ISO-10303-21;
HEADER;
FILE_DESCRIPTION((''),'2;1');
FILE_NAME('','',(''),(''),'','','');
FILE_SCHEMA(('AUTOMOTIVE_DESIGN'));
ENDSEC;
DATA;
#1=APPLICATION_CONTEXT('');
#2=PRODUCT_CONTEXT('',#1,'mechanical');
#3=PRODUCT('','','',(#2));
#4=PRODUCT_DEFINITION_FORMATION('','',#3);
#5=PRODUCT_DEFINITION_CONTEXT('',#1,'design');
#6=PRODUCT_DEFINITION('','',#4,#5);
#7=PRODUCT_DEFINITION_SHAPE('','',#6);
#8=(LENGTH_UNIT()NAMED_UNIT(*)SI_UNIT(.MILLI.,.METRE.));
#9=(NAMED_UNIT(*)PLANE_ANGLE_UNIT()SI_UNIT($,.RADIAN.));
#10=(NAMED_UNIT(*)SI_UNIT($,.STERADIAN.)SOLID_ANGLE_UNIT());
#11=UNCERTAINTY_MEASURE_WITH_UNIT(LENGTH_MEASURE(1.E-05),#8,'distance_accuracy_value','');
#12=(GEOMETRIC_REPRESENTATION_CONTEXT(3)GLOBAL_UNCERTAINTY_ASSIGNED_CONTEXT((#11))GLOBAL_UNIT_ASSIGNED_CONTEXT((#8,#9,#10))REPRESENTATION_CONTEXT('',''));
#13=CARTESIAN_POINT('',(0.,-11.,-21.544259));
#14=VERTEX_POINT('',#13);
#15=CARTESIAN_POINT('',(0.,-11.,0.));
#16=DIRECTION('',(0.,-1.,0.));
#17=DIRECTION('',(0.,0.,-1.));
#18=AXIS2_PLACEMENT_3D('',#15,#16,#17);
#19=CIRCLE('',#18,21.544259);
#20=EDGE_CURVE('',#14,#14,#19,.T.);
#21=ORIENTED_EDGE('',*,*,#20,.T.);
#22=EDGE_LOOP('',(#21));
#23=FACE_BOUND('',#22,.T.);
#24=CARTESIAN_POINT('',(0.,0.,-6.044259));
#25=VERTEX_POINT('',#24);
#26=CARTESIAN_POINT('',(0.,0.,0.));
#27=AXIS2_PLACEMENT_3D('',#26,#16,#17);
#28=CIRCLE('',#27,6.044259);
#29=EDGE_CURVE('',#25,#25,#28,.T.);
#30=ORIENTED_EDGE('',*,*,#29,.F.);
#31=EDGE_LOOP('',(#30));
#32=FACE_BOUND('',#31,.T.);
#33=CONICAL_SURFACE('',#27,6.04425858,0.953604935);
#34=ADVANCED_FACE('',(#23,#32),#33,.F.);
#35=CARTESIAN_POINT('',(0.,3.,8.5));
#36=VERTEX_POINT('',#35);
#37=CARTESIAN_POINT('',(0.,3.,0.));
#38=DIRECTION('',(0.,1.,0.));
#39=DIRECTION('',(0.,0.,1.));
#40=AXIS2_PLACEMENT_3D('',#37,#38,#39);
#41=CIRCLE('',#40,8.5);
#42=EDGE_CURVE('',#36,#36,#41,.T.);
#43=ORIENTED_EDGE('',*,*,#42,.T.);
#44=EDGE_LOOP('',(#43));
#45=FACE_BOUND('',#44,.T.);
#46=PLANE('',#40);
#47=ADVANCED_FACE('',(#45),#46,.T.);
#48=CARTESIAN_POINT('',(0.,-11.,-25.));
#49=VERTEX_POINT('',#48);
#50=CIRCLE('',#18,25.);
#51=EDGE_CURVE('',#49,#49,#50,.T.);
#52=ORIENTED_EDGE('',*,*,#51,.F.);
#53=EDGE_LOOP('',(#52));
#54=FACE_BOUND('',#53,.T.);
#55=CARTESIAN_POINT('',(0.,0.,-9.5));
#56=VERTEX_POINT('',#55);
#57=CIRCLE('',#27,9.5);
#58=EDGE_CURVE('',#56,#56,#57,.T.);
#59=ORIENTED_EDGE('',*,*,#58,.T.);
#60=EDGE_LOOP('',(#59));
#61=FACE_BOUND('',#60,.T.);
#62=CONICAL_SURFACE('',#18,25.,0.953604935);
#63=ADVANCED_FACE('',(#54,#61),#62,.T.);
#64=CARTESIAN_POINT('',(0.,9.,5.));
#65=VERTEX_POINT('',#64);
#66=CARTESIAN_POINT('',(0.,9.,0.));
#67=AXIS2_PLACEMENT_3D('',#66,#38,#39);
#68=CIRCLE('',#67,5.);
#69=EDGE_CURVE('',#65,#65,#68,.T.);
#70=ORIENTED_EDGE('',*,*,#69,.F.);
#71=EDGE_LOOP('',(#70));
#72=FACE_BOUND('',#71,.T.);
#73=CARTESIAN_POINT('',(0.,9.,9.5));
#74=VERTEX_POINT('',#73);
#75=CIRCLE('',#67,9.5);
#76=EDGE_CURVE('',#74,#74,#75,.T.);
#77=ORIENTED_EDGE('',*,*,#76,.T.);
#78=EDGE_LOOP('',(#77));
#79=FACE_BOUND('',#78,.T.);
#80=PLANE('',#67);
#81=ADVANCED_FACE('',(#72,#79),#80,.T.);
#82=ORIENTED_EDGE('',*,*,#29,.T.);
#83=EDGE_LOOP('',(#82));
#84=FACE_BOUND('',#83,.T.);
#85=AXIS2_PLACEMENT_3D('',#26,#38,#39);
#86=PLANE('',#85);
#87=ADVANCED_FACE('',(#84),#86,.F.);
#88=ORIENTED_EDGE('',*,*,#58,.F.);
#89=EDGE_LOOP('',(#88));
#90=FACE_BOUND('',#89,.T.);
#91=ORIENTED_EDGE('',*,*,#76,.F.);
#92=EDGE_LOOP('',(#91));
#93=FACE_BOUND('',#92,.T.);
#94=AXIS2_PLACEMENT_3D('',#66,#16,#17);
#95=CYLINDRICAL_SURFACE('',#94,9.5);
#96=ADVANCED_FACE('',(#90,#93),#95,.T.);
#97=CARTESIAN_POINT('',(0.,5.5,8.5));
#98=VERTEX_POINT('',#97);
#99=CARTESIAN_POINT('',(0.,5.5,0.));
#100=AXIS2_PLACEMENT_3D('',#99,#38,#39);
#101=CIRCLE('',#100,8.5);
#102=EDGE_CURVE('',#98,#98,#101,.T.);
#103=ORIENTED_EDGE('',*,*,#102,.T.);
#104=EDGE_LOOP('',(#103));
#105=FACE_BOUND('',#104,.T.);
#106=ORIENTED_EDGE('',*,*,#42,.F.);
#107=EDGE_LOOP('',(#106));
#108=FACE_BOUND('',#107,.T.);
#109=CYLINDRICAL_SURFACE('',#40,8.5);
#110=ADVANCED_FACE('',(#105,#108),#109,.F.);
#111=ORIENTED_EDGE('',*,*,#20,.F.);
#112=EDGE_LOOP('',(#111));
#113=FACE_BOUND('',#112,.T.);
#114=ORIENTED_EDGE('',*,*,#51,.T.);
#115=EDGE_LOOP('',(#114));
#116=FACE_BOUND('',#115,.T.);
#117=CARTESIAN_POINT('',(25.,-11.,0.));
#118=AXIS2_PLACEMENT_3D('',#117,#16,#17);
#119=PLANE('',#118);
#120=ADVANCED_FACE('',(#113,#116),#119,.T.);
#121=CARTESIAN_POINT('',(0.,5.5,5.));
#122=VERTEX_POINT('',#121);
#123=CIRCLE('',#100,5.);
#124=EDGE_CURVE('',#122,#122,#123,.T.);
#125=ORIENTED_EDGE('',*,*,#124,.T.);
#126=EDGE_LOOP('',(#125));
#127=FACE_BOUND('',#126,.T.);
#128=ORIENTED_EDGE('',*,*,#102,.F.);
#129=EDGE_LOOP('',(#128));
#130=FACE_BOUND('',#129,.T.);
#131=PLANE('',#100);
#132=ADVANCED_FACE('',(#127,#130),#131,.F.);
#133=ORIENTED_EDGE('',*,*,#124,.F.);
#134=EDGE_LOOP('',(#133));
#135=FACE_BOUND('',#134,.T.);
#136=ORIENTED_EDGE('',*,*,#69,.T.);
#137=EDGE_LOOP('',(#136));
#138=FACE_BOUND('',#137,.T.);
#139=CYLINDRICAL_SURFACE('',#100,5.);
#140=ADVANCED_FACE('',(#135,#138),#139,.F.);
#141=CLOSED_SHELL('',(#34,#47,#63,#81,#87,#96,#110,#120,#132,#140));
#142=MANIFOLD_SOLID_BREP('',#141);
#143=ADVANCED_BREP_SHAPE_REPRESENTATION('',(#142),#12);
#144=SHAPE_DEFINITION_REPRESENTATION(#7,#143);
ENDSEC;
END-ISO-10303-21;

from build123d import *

# Parameters (mm, degrees)
SKETCH_4_R          = 9.5
EXTRUDE_1_DEPTH     = 9
SKETCH_5_R          = 5
CUT_EXTRUDE_1_DEPTH = 3.5
SKETCH_6_R          = 8.5
CUT_EXTRUDE_2_DEPTH = 2.5


with BuildPart() as part:
    # 草图4 → 凸台-拉伸1 (new body)
    with BuildSketch(Plane(origin=(0, 0, 0), x_dir=(1, 0, 0), z_dir=(0, 1, 0))):
        Circle(SKETCH_4_R)
    extrude(amount=EXTRUDE_1_DEPTH)

    # 草图5 → 切除-拉伸1 (cut)
    with BuildSketch(Plane(origin=(0, 9, 0), x_dir=(1, 0, 0), z_dir=(0, 1, 0))):
        Circle(SKETCH_5_R)
    extrude(amount=-CUT_EXTRUDE_1_DEPTH, mode=Mode.SUBTRACT)

    # 草图6 → 切除-拉伸2 (cut)
    with BuildSketch(Plane(origin=(0, 5.5, 0), x_dir=(1, 0, 0), z_dir=(0, 1, 0))):
        Circle(SKETCH_6_R)
    extrude(amount=-CUT_EXTRUDE_2_DEPTH, mode=Mode.SUBTRACT)

    # 草图8 → 旋转3 (revolve)
    with BuildSketch(Plane.XY):
        Polygon((9.5, 0), (25, -11), (21.54425858, -11), (6.04425858, 0), align=None)
    revolve(axis=Axis((0, 0, 0), (0, 1, 0)))


solid = part.part
